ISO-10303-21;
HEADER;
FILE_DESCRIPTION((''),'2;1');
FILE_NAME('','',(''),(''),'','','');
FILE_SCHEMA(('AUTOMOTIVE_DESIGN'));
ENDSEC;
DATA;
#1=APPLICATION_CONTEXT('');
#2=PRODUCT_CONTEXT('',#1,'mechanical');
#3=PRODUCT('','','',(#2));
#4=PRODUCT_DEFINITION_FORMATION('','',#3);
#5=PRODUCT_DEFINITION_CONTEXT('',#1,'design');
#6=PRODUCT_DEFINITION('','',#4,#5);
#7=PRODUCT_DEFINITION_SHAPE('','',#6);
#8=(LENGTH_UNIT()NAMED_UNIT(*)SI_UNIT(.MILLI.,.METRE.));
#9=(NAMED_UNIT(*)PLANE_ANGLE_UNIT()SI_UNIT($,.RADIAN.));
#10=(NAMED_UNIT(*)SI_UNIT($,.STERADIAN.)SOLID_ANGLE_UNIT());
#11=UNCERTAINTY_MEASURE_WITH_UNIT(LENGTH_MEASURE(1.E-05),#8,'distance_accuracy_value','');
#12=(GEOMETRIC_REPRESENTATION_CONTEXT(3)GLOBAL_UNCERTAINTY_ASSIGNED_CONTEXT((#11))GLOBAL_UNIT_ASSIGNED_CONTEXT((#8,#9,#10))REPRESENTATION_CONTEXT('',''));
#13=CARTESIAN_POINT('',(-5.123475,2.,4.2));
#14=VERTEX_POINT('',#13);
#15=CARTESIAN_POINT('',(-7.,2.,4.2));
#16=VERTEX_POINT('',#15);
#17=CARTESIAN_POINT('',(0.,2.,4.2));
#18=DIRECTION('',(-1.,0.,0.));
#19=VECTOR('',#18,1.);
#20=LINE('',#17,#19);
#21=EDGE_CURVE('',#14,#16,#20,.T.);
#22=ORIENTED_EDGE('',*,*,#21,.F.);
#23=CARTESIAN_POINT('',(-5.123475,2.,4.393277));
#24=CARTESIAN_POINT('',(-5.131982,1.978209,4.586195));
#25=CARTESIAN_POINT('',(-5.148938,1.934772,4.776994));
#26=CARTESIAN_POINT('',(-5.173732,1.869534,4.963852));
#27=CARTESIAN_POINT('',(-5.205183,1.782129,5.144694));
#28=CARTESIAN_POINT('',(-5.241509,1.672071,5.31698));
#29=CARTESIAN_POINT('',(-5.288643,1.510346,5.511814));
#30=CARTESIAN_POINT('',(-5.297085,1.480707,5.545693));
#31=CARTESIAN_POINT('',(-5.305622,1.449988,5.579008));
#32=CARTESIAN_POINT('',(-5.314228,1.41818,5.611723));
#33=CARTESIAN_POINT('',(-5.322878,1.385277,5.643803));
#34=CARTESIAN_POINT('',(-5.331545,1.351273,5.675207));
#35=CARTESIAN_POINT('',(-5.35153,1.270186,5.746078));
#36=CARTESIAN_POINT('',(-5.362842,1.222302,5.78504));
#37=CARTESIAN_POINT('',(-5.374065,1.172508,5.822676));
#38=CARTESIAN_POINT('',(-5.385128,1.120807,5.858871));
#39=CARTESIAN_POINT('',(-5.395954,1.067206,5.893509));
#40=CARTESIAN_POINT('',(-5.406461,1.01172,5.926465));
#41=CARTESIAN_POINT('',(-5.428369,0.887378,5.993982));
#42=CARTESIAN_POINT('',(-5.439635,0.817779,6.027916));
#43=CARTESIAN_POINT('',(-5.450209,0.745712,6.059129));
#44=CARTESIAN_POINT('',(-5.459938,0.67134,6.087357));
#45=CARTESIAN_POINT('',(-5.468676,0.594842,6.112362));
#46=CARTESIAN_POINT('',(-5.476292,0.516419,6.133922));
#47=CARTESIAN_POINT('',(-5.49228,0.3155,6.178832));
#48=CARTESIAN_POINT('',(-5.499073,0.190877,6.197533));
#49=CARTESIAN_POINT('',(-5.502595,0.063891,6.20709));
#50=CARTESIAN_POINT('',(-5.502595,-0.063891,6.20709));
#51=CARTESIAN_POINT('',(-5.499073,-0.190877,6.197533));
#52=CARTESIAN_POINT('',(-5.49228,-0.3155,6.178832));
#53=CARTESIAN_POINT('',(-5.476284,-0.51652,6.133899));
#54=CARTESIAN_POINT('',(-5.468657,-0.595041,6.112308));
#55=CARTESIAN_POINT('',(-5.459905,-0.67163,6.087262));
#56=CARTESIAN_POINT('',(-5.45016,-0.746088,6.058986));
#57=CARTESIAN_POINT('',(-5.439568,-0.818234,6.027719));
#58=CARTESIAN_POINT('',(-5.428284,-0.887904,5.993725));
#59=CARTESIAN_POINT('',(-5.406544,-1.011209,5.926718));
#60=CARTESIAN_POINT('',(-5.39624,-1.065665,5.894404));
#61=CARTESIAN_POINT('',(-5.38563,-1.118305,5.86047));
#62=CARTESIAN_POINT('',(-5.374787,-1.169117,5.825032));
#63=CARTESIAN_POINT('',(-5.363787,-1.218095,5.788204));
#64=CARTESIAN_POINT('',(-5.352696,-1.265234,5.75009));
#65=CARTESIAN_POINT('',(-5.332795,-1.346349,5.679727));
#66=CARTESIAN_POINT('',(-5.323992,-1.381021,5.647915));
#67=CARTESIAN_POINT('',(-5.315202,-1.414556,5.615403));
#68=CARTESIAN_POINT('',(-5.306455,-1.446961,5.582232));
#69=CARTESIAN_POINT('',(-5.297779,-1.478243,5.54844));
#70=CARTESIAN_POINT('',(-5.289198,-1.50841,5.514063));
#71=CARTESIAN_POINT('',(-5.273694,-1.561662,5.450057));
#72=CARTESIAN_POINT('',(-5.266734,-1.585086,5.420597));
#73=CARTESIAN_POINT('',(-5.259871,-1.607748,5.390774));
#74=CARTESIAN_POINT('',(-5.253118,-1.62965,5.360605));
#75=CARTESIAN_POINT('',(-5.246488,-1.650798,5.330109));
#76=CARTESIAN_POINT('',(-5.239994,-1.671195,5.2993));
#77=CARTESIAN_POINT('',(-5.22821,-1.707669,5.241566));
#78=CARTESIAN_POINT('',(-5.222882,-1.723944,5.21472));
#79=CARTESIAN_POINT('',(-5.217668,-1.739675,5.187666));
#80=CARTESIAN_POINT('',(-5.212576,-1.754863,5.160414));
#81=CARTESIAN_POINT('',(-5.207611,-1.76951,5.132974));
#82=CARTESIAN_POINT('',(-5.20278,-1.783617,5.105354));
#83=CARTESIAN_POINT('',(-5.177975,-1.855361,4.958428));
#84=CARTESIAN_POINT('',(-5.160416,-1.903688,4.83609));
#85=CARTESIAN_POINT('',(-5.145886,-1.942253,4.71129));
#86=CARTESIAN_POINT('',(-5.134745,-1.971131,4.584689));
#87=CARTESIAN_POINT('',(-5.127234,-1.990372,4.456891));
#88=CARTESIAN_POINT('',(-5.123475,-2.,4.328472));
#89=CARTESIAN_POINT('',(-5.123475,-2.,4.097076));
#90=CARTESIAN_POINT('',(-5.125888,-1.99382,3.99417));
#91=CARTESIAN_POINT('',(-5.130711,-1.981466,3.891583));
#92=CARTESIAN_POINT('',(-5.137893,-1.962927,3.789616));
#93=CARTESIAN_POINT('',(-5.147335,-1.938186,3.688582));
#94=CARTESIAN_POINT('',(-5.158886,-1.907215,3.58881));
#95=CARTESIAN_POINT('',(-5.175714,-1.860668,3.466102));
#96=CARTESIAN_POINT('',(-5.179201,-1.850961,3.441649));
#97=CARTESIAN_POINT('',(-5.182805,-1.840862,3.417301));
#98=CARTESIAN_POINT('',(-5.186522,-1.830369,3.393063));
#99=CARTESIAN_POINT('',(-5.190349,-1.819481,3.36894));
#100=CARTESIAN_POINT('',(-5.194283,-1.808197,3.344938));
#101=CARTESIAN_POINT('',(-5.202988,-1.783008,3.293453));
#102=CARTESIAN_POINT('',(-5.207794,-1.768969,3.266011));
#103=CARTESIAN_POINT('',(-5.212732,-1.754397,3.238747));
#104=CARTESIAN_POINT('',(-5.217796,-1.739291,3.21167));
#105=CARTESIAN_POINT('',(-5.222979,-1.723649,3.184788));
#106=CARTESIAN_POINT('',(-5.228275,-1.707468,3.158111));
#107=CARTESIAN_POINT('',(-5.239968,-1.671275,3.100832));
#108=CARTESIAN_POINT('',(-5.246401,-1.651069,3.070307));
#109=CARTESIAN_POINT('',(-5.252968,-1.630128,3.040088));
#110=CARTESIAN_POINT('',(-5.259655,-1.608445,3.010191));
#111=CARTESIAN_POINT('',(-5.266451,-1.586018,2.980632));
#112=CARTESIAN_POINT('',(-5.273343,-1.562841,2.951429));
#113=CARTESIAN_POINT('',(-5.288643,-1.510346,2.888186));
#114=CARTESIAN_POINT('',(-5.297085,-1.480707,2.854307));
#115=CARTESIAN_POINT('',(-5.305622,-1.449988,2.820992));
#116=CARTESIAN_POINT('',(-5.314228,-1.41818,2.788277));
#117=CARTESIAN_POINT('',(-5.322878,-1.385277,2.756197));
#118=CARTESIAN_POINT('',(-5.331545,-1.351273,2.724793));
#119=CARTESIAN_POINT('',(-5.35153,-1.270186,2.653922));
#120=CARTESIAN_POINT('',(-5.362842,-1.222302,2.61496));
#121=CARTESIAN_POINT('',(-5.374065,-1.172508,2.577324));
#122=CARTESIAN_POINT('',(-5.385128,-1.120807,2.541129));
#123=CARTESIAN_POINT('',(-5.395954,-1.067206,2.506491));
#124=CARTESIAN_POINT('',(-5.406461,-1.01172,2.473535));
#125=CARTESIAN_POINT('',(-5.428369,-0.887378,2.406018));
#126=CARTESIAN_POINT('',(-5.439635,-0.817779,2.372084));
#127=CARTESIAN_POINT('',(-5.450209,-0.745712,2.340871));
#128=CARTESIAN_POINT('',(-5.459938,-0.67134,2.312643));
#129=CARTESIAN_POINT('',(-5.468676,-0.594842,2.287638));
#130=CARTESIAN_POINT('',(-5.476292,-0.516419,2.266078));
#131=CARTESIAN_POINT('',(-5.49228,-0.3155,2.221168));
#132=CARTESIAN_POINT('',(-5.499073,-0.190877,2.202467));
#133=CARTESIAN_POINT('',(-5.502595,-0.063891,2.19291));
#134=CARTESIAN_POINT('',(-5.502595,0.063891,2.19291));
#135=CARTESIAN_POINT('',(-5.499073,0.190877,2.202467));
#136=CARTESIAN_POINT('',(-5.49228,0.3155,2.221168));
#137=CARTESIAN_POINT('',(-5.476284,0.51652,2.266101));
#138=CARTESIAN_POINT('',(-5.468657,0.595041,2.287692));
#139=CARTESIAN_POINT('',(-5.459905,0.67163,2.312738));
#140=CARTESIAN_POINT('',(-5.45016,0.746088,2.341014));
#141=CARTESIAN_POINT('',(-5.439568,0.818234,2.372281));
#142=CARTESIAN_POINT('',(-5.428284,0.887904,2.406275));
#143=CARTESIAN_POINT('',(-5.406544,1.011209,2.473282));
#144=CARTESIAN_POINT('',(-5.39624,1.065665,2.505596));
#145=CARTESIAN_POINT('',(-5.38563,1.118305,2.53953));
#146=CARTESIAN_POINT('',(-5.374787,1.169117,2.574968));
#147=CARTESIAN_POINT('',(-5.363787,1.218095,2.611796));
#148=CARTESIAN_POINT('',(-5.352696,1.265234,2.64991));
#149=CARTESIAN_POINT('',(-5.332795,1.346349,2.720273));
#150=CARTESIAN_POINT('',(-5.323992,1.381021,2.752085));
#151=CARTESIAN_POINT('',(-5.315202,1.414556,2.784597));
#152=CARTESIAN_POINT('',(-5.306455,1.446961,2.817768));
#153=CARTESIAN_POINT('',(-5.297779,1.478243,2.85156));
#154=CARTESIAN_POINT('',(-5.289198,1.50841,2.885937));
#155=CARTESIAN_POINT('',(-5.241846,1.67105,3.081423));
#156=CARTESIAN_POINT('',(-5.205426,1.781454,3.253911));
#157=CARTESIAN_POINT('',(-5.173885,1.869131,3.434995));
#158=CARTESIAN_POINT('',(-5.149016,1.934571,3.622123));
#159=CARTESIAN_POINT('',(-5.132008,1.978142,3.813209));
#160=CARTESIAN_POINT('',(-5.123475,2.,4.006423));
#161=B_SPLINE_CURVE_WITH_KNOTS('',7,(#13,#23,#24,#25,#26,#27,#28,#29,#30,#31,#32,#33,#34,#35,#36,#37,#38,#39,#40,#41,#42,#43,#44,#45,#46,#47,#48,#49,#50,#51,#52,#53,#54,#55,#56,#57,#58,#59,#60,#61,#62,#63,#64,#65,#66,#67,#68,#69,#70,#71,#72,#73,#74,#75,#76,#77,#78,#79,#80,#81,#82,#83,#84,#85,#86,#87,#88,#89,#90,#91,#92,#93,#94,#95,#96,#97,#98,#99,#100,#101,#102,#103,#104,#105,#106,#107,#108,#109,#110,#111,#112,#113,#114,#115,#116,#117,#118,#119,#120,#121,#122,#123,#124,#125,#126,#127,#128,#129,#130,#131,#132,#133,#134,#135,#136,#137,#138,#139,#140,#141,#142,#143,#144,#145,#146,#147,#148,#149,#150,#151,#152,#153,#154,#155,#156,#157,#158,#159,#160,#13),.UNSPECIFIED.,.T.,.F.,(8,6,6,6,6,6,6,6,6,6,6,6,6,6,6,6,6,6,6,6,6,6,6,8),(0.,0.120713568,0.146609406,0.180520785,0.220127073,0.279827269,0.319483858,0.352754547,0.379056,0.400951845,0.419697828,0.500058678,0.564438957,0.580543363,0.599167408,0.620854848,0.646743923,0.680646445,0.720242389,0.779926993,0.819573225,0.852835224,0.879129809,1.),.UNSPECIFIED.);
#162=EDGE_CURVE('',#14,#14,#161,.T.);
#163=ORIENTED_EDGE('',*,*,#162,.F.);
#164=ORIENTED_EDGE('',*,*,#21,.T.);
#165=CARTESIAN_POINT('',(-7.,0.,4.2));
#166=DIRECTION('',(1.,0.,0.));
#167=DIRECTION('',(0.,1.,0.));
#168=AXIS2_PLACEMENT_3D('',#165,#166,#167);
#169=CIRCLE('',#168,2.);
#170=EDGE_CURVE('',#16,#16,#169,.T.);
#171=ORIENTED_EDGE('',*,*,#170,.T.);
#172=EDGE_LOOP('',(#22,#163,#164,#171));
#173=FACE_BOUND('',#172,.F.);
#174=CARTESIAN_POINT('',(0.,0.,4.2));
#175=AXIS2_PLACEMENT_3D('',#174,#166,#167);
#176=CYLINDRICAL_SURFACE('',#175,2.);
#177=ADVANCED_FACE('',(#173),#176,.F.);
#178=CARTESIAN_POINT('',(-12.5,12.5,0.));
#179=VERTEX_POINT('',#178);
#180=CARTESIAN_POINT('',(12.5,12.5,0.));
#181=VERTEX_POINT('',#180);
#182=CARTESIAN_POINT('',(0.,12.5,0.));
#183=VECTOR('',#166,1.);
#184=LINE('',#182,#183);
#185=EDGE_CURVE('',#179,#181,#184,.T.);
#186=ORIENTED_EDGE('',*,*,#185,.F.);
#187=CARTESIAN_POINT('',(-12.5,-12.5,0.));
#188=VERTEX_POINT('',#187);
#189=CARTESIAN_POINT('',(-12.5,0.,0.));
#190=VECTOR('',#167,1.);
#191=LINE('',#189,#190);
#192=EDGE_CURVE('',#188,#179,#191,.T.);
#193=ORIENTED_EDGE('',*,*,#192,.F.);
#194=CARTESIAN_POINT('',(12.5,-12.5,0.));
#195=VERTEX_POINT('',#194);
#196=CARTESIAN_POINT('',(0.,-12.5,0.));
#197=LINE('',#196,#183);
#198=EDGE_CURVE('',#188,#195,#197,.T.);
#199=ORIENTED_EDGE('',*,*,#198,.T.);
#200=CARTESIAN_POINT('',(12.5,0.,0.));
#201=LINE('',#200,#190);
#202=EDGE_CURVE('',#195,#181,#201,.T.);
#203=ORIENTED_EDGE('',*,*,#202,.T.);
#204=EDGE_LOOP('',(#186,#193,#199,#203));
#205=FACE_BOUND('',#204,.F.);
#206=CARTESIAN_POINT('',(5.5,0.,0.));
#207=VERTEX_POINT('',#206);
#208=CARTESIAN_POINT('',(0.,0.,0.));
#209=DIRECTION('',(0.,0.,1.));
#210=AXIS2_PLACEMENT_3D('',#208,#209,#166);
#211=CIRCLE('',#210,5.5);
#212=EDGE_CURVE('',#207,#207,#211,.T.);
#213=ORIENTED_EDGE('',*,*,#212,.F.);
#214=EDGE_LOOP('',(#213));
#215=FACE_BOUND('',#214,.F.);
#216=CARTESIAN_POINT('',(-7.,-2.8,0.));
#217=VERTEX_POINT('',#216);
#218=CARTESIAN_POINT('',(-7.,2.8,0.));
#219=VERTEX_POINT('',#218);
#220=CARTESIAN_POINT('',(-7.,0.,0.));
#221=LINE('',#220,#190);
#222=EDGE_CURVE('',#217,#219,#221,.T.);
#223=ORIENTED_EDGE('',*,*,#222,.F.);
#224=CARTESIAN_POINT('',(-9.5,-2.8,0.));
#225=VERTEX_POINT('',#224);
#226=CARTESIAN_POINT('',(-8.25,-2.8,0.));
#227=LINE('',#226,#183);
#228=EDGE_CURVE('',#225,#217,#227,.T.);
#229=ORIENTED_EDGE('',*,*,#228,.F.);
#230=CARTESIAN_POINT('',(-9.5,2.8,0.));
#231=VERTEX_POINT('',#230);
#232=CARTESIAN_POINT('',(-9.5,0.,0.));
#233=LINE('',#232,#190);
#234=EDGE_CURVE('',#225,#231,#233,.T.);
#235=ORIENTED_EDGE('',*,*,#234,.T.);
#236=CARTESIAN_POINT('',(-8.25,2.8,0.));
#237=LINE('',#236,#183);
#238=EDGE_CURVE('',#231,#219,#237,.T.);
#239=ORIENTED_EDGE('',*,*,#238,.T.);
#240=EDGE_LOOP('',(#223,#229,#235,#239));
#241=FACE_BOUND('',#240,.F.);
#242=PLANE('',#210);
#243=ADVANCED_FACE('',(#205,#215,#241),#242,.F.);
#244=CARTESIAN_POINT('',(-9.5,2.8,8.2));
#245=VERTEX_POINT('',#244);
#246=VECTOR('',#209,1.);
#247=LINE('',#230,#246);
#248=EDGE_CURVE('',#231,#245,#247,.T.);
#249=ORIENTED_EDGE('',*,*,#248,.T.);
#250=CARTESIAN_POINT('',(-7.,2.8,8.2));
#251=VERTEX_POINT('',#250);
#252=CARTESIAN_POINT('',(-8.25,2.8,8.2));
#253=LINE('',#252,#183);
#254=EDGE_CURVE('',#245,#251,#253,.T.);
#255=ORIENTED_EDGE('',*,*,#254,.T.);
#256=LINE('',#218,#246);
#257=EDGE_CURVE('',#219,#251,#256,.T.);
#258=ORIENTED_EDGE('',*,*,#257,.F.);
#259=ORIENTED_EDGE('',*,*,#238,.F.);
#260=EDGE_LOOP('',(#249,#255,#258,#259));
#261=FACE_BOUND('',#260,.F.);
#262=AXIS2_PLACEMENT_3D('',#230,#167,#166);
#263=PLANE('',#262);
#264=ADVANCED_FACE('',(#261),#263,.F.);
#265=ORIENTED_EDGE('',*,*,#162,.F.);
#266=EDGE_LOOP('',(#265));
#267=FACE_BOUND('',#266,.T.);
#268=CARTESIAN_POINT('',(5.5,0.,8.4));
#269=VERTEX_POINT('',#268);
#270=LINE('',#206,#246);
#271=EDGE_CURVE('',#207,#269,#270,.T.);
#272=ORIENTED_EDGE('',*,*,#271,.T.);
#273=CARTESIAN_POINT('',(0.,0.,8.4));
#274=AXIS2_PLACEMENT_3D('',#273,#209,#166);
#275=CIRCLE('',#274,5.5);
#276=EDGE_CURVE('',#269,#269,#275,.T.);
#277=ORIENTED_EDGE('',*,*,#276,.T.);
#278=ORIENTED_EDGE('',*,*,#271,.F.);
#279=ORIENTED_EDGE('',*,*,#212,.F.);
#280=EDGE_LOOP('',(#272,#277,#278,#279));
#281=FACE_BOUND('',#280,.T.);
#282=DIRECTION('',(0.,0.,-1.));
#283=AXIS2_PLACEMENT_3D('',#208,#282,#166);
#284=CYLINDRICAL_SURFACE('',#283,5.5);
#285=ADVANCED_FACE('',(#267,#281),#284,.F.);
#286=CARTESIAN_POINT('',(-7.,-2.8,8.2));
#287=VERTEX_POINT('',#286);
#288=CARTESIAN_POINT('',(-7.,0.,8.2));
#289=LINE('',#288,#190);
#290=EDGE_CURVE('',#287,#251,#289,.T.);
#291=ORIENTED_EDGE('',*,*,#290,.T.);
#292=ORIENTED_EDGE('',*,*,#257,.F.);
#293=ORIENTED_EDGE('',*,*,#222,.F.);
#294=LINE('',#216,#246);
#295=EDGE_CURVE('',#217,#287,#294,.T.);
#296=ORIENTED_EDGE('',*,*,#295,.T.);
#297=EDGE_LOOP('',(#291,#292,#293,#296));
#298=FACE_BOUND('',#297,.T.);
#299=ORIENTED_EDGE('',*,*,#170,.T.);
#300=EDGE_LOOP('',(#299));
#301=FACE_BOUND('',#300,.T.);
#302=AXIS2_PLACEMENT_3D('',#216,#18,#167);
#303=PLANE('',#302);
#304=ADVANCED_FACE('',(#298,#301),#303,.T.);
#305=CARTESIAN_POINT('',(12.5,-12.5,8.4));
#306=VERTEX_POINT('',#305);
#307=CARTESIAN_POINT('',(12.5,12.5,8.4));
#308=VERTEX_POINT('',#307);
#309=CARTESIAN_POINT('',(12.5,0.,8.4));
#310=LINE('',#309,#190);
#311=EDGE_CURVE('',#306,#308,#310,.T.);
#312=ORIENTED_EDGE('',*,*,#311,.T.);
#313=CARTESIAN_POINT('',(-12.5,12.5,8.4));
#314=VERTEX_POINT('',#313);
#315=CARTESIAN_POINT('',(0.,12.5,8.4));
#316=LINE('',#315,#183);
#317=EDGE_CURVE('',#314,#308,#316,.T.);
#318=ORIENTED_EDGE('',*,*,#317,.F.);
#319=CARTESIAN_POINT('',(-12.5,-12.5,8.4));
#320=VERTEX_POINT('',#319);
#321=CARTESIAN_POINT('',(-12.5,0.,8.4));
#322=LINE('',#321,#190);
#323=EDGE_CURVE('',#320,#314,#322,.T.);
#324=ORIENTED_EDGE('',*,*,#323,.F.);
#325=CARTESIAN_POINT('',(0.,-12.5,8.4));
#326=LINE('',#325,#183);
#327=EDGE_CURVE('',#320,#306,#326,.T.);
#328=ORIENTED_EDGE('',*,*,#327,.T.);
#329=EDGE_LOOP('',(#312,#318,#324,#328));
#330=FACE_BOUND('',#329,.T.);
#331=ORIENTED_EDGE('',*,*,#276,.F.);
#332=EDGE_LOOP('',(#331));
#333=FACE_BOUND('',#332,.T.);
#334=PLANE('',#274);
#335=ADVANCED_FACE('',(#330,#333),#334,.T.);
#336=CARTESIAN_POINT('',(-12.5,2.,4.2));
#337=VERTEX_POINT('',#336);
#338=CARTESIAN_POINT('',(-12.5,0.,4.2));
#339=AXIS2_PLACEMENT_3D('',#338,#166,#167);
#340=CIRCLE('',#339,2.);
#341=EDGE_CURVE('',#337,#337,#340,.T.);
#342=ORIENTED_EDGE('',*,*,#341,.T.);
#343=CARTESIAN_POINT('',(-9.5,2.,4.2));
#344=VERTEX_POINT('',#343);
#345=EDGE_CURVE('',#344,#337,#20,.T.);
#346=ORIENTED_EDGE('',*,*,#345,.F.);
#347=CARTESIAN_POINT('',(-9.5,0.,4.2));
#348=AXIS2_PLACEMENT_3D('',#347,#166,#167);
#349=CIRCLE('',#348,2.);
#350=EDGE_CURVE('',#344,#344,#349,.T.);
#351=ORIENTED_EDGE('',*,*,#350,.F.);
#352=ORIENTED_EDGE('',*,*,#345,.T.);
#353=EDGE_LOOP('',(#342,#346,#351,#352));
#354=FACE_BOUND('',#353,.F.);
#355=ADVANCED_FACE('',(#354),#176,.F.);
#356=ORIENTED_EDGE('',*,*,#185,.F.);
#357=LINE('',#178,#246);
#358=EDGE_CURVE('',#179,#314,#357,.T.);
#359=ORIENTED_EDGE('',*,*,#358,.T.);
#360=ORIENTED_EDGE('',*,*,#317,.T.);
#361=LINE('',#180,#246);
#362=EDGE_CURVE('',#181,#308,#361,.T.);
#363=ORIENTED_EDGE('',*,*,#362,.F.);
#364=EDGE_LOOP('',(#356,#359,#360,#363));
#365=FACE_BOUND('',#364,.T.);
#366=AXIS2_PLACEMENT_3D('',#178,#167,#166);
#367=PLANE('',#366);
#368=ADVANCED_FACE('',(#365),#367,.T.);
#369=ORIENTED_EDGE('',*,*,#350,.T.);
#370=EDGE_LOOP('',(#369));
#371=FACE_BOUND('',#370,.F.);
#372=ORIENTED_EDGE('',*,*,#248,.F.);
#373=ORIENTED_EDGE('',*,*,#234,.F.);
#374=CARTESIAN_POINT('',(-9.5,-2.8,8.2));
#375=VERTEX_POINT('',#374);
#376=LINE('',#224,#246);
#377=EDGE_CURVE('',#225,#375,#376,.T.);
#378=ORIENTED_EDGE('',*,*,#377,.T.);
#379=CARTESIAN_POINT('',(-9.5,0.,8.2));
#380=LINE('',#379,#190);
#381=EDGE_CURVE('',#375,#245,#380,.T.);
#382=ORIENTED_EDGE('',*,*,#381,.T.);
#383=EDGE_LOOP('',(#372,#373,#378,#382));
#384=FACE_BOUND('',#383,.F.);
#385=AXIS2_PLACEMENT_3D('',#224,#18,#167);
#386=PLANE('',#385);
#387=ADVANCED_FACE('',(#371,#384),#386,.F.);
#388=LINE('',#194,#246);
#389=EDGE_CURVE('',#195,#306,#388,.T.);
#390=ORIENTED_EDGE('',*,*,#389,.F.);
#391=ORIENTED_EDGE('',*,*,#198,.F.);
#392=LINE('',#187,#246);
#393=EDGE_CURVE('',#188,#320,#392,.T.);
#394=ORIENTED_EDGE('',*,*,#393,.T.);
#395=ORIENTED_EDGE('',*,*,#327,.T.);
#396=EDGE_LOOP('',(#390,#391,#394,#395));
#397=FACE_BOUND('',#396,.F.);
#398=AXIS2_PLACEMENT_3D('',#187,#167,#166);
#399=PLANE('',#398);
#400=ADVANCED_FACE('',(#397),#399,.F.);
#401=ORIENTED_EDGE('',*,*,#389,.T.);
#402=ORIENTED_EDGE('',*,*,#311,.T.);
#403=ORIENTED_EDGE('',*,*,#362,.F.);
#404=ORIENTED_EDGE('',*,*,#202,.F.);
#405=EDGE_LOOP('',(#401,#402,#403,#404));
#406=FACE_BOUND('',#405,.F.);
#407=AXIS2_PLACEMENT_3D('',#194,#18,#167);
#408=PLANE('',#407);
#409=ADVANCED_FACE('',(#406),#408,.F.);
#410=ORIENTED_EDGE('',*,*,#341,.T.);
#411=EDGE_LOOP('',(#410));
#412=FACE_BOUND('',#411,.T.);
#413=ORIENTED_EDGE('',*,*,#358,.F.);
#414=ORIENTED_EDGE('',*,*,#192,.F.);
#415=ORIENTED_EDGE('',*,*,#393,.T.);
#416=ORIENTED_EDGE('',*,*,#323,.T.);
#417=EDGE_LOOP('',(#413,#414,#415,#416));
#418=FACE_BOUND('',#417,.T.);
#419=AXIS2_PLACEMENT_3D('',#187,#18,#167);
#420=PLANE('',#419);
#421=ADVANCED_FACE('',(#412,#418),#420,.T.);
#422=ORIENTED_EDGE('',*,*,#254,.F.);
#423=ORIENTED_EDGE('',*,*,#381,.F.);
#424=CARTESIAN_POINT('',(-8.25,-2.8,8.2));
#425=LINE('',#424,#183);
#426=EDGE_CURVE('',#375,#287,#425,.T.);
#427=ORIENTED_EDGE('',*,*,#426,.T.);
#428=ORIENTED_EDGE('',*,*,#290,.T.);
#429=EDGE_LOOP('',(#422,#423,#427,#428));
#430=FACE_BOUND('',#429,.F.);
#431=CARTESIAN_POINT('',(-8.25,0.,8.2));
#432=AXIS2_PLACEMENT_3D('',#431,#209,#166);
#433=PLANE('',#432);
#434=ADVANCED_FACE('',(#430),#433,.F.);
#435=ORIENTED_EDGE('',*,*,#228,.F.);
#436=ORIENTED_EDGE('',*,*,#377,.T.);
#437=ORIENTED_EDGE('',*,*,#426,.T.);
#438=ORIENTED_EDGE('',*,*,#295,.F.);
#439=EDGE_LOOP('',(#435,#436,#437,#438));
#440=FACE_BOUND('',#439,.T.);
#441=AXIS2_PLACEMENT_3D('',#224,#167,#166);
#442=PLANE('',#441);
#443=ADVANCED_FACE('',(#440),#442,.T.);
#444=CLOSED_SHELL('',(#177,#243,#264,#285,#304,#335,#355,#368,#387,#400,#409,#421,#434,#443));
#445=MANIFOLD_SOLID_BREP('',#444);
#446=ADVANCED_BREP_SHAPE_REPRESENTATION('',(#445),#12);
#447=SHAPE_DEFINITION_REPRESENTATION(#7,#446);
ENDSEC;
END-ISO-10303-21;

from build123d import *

# Parameters (mm, degrees)
SKETCH002_W      = 2.5
SKETCH002_H      = 5.6
EXTRUDE002_DEPTH = 8.2
SKETCH001_R      = 2
EXTRUDE001_DEPTH = 20
SKETCH_W         = 25
SKETCH_H         = 25
SKETCH_R         = 5.5
EXTRUDE_DEPTH    = 8.4


with BuildPart() as extrude002:
    # Sketch002 → Extrude002 (new body)
    with BuildSketch(Plane.XY):
        with Locations((-8.25, 0)):
            Rectangle(SKETCH002_W, SKETCH002_H)
    extrude(amount=EXTRUDE002_DEPTH)


with BuildPart() as extrude001:
    # Sketch001 → Extrude001 (new body)
    with BuildSketch(Plane.YZ):
        with Locations((0, 4.2)):
            Circle(SKETCH001_R)
    extrude(amount=-EXTRUDE001_DEPTH)


with BuildPart() as body:
    # Sketch → Extrude (new body)
    with BuildSketch(Plane.XY):
        Rectangle(SKETCH_W, SKETCH_H)
        Circle(SKETCH_R, mode=Mode.SUBTRACT)
    extrude(amount=EXTRUDE_DEPTH)

    # Cut: cut Extrude001
    add(extrude001.part, mode=Mode.SUBTRACT)

    # Cut001: cut Extrude002
    add(extrude002.part, mode=Mode.SUBTRACT)


solid = body.part
